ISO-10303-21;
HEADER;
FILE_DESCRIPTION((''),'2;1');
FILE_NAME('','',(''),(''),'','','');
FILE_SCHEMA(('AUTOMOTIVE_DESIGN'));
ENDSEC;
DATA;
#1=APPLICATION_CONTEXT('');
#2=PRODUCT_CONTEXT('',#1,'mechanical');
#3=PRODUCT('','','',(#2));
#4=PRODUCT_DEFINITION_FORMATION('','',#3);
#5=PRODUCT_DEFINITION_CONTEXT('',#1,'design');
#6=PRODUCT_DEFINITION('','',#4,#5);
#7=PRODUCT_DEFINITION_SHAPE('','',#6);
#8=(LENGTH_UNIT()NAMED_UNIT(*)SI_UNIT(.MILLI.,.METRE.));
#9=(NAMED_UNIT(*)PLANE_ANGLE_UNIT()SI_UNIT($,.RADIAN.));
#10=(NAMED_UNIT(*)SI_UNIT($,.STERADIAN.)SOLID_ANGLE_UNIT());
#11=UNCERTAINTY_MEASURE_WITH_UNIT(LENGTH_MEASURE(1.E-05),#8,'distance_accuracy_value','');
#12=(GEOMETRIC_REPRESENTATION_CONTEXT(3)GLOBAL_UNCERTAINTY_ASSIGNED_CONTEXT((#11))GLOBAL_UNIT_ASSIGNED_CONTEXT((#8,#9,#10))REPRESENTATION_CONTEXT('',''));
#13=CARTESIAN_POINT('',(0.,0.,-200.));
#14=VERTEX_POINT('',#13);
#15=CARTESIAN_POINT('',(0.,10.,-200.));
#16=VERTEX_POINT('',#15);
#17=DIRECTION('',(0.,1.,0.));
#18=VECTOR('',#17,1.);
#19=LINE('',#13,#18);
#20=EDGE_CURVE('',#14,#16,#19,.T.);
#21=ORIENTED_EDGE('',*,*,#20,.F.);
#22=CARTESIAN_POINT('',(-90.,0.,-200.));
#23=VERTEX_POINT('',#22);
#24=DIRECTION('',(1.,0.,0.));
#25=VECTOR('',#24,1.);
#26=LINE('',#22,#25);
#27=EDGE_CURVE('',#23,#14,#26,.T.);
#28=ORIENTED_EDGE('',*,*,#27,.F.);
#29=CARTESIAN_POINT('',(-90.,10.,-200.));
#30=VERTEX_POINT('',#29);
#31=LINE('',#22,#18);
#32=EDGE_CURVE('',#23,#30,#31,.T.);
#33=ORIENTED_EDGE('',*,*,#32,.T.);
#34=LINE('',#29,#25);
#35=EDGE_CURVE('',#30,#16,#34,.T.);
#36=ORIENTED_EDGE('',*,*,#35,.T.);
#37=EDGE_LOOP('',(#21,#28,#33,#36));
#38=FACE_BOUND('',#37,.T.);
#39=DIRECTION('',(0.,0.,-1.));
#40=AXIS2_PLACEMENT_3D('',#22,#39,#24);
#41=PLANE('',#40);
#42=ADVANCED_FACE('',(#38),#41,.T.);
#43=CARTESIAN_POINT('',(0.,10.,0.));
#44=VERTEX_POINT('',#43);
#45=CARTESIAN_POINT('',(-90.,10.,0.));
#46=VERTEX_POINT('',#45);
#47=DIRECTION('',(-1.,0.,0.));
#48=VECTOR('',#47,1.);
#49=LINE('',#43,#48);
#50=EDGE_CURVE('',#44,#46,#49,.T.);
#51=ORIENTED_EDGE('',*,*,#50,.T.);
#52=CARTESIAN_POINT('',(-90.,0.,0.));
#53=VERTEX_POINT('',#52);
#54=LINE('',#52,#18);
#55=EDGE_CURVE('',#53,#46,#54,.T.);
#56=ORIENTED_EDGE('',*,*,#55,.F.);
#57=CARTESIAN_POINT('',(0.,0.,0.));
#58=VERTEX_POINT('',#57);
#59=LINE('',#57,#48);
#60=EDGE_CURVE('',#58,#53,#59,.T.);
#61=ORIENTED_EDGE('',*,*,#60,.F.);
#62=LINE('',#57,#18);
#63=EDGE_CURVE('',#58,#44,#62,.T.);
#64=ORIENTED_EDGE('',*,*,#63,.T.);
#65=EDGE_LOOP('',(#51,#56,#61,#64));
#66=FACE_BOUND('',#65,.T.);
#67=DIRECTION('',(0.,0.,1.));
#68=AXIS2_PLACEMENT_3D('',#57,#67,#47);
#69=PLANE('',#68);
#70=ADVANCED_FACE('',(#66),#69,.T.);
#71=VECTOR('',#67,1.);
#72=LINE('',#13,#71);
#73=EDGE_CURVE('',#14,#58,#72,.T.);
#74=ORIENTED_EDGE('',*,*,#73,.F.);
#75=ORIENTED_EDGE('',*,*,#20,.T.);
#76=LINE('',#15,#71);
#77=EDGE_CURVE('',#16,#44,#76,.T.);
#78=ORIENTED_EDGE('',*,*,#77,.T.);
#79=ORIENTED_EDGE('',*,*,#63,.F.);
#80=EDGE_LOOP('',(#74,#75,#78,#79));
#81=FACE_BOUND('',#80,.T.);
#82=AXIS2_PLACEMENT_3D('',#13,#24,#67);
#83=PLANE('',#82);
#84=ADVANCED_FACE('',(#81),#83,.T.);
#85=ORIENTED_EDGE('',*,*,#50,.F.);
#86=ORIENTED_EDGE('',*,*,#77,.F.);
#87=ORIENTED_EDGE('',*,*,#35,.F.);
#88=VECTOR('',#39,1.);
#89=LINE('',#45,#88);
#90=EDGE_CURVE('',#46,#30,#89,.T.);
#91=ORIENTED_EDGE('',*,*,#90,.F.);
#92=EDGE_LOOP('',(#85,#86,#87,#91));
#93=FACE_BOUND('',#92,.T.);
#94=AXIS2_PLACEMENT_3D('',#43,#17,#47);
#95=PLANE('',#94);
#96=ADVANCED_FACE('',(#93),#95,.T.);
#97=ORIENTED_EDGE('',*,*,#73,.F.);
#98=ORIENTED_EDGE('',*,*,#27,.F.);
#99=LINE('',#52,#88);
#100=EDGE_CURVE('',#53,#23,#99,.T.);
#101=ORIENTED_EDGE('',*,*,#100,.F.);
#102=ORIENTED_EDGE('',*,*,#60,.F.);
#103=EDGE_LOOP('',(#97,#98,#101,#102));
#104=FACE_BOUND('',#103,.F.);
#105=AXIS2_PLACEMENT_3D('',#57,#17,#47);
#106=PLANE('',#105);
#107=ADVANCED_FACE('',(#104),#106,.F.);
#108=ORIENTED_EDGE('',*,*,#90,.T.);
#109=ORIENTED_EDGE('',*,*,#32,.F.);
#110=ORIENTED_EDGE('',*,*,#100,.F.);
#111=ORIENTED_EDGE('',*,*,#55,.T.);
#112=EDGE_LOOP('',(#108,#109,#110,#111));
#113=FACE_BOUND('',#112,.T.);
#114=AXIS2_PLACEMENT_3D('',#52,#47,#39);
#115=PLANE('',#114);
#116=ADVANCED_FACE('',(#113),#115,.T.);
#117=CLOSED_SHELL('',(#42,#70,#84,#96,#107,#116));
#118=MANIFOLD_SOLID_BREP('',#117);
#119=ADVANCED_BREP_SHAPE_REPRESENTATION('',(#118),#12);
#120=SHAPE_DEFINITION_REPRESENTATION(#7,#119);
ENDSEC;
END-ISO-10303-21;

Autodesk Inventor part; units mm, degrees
ref_plane "YZ Plane" through (0, 0, 0) normal (1, 0, 0) x (0, 1, 0)
ref_plane "XZ Plane" through (0, 0, 0) normal (0, 1, 0) x (-1, 0, 0)
ref_plane "XY Plane" through (0, 0, 0) normal (0, 0, 1) x (1, 0, 0)
sketch "Esquisse1" plane through (0, 0, 0) normal (0, 1, 0) x (-1, 0, 0)
  line L0 (0, 0) -> (90, 0)
  line L1 (90, 0) -> (90, -200)
  line L2 (90, -200) -> (0, -200)
  line L3 (0, -200) -> (0, 0)
  dimension "d0" = 90
  dimension "d1" = 200
extrude "Extrusion1" add sketch "Esquisse1" along normal blind 10
sketch "Esquisse2" plane through (0, 10, 0) normal (0, 1, 0) x (1, 0, 0)
  point P0 (0, 0)
properties part number "Toit"
